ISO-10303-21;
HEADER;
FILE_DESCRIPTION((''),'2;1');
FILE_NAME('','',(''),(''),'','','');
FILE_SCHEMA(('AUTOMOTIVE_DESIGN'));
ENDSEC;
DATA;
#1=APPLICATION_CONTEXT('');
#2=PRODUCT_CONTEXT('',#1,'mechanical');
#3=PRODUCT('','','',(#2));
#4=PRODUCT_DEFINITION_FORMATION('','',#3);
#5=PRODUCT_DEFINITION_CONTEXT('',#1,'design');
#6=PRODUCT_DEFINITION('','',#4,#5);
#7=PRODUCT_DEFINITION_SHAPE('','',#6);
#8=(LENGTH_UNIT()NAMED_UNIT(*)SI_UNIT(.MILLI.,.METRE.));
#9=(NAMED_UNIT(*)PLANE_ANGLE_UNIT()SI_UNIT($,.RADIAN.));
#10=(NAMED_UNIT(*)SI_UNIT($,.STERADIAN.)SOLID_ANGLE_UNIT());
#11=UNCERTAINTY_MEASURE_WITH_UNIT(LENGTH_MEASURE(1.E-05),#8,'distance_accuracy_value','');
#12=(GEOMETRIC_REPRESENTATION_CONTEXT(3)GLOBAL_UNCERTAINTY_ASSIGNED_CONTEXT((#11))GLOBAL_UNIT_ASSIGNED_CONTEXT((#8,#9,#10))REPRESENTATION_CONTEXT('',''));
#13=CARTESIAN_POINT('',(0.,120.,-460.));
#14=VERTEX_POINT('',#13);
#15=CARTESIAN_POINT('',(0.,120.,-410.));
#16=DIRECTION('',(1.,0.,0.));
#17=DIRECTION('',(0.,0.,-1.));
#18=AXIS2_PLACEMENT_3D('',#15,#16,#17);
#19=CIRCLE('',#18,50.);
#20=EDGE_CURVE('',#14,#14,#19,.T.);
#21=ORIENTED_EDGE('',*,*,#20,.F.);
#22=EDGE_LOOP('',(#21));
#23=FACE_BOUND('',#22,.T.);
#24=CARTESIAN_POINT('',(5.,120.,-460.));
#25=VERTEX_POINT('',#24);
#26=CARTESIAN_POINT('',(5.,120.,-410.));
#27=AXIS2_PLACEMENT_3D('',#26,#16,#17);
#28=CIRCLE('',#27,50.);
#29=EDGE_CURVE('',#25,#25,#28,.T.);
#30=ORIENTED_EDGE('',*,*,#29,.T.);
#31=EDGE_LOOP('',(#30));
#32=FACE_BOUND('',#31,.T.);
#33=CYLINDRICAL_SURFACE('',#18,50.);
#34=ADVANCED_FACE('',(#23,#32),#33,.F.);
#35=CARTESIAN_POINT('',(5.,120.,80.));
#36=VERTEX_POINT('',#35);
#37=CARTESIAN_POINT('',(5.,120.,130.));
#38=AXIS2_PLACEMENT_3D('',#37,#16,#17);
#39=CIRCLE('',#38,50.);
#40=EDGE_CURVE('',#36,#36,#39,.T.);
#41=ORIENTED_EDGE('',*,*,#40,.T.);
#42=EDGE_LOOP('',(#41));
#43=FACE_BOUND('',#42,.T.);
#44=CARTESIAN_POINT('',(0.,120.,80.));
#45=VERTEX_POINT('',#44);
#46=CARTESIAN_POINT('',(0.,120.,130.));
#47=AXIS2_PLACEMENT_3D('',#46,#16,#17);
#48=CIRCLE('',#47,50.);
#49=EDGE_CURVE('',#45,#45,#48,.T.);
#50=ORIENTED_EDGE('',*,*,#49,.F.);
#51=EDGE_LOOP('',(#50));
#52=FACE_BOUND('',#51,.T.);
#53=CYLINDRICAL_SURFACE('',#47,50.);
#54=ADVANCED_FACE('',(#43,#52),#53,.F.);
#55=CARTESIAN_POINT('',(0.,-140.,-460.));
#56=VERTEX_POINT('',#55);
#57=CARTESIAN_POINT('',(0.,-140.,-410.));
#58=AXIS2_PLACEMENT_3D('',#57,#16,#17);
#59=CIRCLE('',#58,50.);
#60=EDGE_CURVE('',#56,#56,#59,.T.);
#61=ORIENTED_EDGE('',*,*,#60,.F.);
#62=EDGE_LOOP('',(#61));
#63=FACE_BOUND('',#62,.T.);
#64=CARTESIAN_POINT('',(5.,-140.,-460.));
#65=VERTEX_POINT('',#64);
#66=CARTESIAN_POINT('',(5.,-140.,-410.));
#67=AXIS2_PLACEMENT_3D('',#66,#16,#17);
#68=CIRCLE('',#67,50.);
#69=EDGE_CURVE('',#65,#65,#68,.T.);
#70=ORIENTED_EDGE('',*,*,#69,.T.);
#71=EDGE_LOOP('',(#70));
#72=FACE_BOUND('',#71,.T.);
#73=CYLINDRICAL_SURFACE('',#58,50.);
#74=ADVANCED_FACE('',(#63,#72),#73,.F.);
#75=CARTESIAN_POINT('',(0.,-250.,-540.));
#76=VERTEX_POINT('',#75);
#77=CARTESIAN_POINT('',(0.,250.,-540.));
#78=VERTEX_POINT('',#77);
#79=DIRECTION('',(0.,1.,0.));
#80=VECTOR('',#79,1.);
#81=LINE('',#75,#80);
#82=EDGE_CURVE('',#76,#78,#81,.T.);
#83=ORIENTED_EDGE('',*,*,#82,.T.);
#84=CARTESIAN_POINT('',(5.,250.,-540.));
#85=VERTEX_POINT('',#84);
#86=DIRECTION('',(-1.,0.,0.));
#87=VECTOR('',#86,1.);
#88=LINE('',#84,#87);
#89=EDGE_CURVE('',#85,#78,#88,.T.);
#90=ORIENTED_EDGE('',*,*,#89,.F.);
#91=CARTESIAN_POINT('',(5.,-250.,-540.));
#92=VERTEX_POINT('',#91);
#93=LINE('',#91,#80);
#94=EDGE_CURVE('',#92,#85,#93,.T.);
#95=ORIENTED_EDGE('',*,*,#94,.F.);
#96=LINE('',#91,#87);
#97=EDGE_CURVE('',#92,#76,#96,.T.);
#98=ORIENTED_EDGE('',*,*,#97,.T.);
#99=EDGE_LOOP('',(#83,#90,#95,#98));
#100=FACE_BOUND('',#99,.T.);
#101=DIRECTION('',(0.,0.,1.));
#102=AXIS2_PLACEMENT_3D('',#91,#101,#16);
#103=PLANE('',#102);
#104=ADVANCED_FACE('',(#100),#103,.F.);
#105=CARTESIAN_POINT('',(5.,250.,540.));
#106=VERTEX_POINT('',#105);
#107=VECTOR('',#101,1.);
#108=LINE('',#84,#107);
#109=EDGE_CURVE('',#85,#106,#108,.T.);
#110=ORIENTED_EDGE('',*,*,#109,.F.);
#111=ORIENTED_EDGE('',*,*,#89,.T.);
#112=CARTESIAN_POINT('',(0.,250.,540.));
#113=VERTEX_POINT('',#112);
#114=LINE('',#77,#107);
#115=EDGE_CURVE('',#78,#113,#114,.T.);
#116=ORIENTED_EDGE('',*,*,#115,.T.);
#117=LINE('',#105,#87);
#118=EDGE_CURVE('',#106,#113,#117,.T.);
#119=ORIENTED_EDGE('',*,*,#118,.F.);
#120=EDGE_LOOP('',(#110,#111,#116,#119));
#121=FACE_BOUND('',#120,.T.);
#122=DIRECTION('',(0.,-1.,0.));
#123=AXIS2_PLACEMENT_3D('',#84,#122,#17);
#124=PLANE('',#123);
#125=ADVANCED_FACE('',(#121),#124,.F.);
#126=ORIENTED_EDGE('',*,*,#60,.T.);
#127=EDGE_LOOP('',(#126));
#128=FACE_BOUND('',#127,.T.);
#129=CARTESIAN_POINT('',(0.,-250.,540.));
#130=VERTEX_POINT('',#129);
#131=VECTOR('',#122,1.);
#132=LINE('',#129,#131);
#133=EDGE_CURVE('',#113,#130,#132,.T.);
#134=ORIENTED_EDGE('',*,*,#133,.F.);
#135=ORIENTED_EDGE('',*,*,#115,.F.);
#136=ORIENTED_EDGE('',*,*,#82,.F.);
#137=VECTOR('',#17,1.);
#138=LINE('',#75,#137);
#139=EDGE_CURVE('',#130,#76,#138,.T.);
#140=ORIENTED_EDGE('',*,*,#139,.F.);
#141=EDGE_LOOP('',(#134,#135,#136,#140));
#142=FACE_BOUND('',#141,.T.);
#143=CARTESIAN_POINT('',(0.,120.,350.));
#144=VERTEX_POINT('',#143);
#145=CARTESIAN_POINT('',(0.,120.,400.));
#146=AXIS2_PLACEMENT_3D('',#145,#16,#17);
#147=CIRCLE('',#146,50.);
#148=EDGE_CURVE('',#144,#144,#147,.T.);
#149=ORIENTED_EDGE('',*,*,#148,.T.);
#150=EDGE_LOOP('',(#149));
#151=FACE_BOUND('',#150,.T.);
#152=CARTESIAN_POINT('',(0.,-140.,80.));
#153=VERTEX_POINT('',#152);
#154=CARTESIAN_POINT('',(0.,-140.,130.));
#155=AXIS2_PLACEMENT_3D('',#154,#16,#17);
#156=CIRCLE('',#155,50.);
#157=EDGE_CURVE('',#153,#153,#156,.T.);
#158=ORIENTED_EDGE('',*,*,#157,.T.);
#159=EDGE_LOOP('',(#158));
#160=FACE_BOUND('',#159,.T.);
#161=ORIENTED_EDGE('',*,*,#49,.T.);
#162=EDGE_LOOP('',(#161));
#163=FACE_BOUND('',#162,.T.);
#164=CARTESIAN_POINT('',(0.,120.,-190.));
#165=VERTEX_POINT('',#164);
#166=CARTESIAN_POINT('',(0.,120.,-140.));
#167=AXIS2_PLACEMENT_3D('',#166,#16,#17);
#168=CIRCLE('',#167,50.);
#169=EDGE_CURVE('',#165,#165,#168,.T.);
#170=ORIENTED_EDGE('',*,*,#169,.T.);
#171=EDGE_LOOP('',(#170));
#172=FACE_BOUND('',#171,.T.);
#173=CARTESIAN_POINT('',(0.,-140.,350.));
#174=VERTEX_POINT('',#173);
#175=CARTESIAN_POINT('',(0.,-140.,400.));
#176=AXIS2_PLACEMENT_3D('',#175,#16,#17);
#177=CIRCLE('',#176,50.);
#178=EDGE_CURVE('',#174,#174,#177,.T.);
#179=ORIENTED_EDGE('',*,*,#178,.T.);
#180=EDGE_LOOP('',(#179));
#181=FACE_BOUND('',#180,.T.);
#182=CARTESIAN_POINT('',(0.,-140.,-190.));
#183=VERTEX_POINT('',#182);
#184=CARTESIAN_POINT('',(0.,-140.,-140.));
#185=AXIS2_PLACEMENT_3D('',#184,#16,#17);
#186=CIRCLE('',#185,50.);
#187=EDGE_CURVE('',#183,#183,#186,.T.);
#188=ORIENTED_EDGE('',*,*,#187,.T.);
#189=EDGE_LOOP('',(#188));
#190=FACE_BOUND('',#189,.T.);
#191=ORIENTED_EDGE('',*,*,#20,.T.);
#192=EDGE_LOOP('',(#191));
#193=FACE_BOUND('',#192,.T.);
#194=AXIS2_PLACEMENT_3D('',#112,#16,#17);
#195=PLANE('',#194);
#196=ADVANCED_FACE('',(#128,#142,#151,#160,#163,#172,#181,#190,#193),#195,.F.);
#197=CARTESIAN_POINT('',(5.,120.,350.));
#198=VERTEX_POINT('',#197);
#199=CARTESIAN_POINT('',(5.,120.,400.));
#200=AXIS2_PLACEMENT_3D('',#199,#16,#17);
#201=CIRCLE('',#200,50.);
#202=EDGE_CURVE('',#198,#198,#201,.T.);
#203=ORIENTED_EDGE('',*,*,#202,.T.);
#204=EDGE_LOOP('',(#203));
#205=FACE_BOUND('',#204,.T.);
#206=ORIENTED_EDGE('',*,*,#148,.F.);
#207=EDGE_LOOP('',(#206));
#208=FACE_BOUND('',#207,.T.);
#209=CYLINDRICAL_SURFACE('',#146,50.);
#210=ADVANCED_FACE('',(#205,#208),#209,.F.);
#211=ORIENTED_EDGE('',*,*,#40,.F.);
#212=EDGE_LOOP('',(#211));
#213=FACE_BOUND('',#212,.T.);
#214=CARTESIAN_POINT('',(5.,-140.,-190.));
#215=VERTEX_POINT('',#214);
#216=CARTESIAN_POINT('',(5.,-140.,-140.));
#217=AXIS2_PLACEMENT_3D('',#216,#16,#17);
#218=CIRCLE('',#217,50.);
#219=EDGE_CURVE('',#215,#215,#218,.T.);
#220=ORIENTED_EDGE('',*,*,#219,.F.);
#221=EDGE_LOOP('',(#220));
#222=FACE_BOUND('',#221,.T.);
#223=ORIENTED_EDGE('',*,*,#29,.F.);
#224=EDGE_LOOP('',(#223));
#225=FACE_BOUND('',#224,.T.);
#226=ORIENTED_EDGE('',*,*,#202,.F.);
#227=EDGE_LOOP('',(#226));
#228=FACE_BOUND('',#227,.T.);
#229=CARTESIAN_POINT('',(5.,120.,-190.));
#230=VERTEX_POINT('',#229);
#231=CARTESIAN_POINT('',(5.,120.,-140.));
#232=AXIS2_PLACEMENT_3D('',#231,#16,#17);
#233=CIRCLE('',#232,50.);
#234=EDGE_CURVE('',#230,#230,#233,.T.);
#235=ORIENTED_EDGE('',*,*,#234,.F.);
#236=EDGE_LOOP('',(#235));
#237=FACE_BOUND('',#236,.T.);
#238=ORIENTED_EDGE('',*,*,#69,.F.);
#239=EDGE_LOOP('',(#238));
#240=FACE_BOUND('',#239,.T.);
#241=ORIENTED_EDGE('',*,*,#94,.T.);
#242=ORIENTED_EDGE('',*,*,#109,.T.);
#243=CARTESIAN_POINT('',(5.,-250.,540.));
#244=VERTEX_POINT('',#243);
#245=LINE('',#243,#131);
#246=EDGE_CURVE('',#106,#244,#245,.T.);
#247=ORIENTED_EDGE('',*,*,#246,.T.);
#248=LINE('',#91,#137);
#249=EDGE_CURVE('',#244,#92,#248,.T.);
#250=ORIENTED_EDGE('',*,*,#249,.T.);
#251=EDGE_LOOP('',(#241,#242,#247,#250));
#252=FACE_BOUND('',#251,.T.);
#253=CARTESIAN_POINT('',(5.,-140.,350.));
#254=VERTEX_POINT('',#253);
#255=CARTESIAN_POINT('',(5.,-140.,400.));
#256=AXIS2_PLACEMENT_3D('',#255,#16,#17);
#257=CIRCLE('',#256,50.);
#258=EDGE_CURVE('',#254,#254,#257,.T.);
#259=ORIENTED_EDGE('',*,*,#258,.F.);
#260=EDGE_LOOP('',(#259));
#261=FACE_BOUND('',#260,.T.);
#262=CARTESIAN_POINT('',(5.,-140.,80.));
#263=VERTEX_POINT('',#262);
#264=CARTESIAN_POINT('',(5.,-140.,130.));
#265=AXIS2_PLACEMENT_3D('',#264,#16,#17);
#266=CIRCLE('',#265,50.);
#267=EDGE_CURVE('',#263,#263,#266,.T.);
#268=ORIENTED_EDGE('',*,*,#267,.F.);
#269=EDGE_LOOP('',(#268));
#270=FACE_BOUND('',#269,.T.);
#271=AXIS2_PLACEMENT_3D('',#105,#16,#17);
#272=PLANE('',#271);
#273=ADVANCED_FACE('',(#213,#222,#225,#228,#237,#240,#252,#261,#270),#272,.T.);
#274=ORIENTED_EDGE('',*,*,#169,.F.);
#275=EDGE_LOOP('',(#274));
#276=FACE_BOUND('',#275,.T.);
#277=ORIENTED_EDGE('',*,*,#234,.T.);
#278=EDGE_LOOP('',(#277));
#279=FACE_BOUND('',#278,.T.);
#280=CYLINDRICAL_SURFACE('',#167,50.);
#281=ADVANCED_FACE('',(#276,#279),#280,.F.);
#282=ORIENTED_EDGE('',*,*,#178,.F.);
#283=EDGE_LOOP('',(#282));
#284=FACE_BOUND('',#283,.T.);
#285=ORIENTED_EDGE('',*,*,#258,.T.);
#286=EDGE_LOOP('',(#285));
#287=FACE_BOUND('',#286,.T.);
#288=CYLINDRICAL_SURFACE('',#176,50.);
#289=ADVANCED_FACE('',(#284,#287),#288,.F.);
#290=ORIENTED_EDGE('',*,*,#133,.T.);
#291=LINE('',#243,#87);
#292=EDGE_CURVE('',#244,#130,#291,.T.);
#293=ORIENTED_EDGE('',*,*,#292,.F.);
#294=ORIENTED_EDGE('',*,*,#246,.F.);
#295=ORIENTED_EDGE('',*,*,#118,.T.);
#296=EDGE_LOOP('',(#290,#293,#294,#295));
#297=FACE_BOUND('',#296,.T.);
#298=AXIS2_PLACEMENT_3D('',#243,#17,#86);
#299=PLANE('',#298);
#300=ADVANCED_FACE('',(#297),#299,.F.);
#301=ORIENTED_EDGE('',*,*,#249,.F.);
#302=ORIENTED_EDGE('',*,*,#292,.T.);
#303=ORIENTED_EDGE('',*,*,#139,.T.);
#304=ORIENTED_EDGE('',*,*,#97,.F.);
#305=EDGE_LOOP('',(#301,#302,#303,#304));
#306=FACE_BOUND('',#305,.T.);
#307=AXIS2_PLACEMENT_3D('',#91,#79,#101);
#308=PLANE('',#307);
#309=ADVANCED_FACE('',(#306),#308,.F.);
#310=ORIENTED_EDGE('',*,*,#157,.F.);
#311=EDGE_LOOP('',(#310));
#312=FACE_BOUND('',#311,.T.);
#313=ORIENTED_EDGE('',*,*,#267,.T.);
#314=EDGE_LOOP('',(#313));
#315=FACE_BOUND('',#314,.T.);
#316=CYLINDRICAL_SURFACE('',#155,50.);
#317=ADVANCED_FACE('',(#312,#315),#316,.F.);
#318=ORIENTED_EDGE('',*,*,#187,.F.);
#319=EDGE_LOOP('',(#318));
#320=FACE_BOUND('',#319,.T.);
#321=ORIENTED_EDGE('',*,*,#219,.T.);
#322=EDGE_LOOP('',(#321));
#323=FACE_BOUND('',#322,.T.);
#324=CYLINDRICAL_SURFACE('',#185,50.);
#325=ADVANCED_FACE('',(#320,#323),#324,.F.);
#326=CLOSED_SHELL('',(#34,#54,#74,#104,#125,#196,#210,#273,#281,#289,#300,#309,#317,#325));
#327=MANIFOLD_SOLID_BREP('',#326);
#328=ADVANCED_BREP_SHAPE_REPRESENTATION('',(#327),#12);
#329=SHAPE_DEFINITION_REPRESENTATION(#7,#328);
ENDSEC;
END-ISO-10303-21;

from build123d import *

# Parameters (mm, degrees)
CROQUIS1_W     = 1080
CROQUIS1_H     = 500
EXTRUIR1_DEPTH = 5
CROQUIS3_R     = 50
EXTRUIR2_DEPTH = 596.08402768


with BuildPart() as part:
    # Croquis1 → Extruir1 (new body)
    with BuildSketch(Plane(origin=(0, 0, 0), x_dir=(0, 0, -1), z_dir=(1, 0, 0))):
        Rectangle(CROQUIS1_W, CROQUIS1_H)
    extrude(amount=EXTRUIR1_DEPTH)

    # Croquis3 → Extruir2 (cut, through all)
    with BuildSketch(Plane(origin=(5, 0, 0), x_dir=(0, 0, -1), z_dir=(1, 0, 0))):
        with Locations((-400, 380)):
            Circle(CROQUIS3_R)
        with Locations((-130, 380)):
            Circle(CROQUIS3_R)
        with Locations((140, 380)):
            Circle(CROQUIS3_R)
        with Locations((410, 380)):
            Circle(CROQUIS3_R)
        with Locations((-400, 120)):
            Circle(CROQUIS3_R)
        with Locations((-130, 120)):
            Circle(CROQUIS3_R)
        with Locations((140, 120)):
            Circle(CROQUIS3_R)
        with Locations((410, 120)):
            Circle(CROQUIS3_R)
        with Locations((-400, -140)):
            Circle(CROQUIS3_R)
        with Locations((-130, -140)):
            Circle(CROQUIS3_R)
        with Locations((140, -140)):
            Circle(CROQUIS3_R)
        with Locations((410, -140)):
            Circle(CROQUIS3_R)
        with Locations((-400, -400)):
            Circle(CROQUIS3_R)
        with Locations((-130, -400)):
            Circle(CROQUIS3_R)
        with Locations((140, -400)):
            Circle(CROQUIS3_R)
        with Locations((410, -400)):
            Circle(CROQUIS3_R)
    extrude(amount=-EXTRUIR2_DEPTH, mode=Mode.SUBTRACT)


solid = part.part
